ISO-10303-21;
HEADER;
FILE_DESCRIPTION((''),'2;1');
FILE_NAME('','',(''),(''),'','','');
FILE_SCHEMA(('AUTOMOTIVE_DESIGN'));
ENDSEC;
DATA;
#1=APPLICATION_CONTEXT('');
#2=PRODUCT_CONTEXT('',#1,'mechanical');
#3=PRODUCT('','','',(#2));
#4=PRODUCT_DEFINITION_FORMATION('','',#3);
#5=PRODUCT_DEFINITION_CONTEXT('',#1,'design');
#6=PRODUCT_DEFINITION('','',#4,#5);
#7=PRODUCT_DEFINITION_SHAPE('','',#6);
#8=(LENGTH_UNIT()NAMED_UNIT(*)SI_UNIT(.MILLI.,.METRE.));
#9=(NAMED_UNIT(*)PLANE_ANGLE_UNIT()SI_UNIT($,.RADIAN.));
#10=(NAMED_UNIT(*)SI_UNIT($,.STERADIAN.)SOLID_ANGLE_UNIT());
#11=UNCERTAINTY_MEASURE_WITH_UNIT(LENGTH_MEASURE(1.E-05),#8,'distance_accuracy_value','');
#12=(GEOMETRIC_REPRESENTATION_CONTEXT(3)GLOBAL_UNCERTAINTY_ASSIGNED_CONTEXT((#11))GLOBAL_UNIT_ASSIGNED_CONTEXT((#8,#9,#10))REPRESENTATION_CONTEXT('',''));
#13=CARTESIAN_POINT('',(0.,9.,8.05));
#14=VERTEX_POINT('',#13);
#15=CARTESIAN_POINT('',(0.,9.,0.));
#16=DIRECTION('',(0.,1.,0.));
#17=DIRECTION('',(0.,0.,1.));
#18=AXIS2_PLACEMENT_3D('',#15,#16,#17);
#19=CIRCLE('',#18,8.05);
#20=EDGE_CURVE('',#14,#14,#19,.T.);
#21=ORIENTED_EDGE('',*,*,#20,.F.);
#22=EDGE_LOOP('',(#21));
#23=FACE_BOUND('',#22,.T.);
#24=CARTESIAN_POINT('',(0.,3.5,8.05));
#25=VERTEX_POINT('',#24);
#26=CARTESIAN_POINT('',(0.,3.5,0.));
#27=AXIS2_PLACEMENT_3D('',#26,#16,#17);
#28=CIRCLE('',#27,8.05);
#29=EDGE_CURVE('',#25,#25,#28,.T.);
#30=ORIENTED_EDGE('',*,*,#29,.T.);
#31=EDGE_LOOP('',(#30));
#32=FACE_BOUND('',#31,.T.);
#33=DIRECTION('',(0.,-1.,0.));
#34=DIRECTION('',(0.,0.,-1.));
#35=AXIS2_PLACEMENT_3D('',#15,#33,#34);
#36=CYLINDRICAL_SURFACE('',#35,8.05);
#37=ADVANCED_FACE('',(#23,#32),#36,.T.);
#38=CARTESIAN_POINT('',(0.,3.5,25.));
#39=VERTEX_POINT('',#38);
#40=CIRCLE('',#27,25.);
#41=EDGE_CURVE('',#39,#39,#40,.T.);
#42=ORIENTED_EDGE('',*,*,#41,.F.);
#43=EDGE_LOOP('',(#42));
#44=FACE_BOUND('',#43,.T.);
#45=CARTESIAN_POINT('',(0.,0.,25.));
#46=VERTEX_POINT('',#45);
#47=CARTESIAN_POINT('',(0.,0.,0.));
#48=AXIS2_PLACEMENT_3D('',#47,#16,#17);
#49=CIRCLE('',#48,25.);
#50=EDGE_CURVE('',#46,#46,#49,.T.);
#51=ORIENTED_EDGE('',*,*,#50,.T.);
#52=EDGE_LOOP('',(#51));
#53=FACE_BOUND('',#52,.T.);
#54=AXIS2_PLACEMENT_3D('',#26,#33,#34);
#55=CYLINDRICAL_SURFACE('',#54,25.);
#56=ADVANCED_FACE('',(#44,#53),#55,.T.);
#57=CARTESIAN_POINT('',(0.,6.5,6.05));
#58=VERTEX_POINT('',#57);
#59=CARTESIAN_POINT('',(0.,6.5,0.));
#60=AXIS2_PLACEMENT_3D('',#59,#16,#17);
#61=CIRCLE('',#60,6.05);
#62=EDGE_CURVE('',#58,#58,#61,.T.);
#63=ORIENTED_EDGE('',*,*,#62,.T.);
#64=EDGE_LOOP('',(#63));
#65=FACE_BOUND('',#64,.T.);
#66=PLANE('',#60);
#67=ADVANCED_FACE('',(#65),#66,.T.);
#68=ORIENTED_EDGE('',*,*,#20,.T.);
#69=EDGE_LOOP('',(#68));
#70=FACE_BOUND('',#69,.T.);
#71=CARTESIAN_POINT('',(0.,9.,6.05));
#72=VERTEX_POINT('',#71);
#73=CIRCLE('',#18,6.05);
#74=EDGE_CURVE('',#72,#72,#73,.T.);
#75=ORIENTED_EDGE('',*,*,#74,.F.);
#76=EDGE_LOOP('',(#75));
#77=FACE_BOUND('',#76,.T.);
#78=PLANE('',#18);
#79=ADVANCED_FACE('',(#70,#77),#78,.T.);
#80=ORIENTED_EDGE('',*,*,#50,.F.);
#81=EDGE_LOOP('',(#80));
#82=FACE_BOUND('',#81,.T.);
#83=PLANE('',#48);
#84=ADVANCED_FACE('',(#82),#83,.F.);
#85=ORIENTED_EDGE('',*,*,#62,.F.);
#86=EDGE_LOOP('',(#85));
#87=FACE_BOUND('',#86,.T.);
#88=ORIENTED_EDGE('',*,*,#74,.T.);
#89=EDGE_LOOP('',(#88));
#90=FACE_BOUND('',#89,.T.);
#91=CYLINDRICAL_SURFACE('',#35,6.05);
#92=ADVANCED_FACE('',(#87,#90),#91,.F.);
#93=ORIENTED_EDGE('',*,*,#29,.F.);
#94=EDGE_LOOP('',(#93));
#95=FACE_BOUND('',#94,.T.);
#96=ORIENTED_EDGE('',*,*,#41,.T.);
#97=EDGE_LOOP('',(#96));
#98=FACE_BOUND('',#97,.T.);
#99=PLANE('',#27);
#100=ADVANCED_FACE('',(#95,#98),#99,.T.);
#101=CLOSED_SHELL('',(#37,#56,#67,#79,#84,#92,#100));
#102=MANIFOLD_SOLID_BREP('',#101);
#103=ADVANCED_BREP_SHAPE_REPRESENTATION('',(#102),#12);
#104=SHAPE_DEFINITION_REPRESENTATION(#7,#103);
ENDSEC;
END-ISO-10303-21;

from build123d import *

# Parameters (mm, degrees)
SKETCH1_R           = 25
BOSS_EXTRUDE1_DEPTH = 3.5
SKETCH2_R           = 8.05
SKETCH2_R_2         = 6.05
BOSS_EXTRUDE2_DEPTH = 5.5
SKETCH3_R           = 6.15
BOSS_EXTRUDE3_DEPTH = 3


with BuildPart() as part:
    # Sketch1 → Boss-Extrude1 (new body)
    with BuildSketch(Plane(origin=(0, 0, 0), x_dir=(1, 0, 0), z_dir=(0, 1, 0))):
        with Locations(Location((0, 0, 0), (0, 0, 270))):
            Circle(SKETCH1_R)
    extrude(amount=BOSS_EXTRUDE1_DEPTH)

    # Sketch2 → Boss-Extrude2 (add)
    with BuildSketch(Plane(origin=(0, 3.5, 0), x_dir=(1, 0, 0), z_dir=(0, 1, 0))):
        with Locations(Location((0, 0, 0), (0, 0, 270))):
            Circle(SKETCH2_R)
        with Locations(Location((0, 0, 0), (0, 0, 270))):
            Circle(SKETCH2_R_2, mode=Mode.SUBTRACT)
    extrude(amount=BOSS_EXTRUDE2_DEPTH)

    # Sketch3 → Boss-Extrude3 (add)
    with BuildSketch(Plane(origin=(0, 3.5, 0), x_dir=(1, 0, 0), z_dir=(0, 1, 0))):
        Circle(SKETCH3_R)
    extrude(amount=BOSS_EXTRUDE3_DEPTH)


solid = part.part
